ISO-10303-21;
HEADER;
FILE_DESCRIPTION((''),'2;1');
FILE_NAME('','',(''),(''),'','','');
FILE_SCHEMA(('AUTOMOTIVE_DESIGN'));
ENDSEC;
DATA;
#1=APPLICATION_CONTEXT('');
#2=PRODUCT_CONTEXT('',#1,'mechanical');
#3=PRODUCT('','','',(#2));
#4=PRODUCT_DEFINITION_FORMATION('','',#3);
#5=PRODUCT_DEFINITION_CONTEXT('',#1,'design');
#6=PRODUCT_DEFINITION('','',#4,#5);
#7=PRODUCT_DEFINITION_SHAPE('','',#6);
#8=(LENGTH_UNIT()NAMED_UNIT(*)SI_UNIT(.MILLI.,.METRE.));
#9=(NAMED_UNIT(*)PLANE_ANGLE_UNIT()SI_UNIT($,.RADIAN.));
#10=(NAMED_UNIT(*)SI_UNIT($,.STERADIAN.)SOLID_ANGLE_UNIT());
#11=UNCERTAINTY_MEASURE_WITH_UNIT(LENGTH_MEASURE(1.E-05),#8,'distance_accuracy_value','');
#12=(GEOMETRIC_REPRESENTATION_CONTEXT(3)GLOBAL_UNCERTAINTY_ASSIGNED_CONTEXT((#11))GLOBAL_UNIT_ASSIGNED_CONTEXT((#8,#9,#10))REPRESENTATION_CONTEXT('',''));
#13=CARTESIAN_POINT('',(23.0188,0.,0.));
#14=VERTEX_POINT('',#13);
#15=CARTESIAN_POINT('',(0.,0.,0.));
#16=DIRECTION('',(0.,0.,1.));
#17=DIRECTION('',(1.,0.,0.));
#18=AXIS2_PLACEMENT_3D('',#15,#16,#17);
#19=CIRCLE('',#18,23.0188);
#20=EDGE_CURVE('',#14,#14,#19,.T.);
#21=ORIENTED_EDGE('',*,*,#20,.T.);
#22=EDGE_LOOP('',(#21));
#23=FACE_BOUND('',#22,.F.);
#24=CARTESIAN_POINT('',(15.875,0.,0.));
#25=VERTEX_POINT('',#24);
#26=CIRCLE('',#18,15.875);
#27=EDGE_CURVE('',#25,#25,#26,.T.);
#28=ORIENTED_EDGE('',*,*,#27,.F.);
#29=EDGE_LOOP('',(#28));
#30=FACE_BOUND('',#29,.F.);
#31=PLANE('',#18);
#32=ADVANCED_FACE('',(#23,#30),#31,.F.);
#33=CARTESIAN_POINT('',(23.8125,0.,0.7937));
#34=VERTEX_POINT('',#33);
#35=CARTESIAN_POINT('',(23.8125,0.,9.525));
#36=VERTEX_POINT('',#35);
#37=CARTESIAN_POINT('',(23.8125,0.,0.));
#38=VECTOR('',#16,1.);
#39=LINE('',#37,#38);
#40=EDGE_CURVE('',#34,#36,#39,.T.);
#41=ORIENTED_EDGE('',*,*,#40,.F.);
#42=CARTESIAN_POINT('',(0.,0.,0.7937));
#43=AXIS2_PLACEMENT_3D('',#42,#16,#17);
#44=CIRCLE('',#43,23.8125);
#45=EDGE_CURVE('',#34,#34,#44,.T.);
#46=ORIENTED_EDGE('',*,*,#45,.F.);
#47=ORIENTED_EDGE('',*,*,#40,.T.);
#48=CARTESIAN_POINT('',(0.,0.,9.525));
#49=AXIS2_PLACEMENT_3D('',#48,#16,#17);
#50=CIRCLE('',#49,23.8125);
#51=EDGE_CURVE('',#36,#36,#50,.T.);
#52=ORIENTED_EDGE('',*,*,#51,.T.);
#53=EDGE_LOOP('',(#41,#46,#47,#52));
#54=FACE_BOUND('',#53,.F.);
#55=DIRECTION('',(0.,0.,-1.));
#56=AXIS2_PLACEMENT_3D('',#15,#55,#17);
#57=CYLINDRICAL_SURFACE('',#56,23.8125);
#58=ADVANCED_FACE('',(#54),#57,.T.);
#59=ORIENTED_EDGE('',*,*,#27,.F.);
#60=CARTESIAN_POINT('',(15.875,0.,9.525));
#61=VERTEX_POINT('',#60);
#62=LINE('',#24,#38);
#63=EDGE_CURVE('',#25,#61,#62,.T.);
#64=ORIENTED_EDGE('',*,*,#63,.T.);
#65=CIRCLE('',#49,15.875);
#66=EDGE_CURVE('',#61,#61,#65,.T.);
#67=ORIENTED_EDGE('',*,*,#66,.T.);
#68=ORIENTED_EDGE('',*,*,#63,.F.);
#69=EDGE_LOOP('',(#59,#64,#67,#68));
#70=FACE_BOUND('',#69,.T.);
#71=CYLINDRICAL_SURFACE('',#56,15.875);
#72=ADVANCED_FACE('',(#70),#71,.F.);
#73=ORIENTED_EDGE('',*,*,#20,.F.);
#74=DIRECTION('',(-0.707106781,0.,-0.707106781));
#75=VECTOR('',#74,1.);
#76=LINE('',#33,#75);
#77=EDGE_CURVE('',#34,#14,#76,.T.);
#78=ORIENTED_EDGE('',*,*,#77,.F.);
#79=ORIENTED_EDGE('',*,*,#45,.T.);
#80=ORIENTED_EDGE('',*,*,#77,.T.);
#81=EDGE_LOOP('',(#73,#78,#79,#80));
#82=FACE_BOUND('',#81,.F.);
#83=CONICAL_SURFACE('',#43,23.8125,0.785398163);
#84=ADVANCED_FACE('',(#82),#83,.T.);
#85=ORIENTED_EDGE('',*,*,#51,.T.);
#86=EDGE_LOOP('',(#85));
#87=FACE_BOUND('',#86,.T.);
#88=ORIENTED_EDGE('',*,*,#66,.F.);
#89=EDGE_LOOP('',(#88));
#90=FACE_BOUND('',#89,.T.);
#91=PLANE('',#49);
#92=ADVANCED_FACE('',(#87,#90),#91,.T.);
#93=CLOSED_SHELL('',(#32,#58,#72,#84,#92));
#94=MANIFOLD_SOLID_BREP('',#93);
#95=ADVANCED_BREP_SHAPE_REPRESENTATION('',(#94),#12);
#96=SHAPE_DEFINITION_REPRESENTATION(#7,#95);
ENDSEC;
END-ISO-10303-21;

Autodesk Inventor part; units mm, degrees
ref_plane "YZ Plane" through (0, 0, 0) normal (1, 0, 0) x (0, 1, 0)
ref_plane "XZ Plane" through (0, 0, 0) normal (0, 1, 0) x (-1, 0, 0)
ref_plane "XY Plane" through (0, 0, 0) normal (0, 0, 1) x (1, 0, 0)
sketch "Sketch1" plane through (0, 0, 0) normal (0, 0, 1) x (1, 0, 0)
  circle A0 centre (0, 0) radius 15.875
  circle A1 centre (0, 0) radius 23.8125
  dimension "d0" = 31.75
  dimension "d1" = 47.625
extrude "Extrusion1" add sketch "Sketch1" along normal blind 9.525
chamfer "Chamfer1" distance 0.7937 angle 45 1 edges at (-23.8125, 0, 0)
properties part number "Tire" material "Rubber, Silicone"
